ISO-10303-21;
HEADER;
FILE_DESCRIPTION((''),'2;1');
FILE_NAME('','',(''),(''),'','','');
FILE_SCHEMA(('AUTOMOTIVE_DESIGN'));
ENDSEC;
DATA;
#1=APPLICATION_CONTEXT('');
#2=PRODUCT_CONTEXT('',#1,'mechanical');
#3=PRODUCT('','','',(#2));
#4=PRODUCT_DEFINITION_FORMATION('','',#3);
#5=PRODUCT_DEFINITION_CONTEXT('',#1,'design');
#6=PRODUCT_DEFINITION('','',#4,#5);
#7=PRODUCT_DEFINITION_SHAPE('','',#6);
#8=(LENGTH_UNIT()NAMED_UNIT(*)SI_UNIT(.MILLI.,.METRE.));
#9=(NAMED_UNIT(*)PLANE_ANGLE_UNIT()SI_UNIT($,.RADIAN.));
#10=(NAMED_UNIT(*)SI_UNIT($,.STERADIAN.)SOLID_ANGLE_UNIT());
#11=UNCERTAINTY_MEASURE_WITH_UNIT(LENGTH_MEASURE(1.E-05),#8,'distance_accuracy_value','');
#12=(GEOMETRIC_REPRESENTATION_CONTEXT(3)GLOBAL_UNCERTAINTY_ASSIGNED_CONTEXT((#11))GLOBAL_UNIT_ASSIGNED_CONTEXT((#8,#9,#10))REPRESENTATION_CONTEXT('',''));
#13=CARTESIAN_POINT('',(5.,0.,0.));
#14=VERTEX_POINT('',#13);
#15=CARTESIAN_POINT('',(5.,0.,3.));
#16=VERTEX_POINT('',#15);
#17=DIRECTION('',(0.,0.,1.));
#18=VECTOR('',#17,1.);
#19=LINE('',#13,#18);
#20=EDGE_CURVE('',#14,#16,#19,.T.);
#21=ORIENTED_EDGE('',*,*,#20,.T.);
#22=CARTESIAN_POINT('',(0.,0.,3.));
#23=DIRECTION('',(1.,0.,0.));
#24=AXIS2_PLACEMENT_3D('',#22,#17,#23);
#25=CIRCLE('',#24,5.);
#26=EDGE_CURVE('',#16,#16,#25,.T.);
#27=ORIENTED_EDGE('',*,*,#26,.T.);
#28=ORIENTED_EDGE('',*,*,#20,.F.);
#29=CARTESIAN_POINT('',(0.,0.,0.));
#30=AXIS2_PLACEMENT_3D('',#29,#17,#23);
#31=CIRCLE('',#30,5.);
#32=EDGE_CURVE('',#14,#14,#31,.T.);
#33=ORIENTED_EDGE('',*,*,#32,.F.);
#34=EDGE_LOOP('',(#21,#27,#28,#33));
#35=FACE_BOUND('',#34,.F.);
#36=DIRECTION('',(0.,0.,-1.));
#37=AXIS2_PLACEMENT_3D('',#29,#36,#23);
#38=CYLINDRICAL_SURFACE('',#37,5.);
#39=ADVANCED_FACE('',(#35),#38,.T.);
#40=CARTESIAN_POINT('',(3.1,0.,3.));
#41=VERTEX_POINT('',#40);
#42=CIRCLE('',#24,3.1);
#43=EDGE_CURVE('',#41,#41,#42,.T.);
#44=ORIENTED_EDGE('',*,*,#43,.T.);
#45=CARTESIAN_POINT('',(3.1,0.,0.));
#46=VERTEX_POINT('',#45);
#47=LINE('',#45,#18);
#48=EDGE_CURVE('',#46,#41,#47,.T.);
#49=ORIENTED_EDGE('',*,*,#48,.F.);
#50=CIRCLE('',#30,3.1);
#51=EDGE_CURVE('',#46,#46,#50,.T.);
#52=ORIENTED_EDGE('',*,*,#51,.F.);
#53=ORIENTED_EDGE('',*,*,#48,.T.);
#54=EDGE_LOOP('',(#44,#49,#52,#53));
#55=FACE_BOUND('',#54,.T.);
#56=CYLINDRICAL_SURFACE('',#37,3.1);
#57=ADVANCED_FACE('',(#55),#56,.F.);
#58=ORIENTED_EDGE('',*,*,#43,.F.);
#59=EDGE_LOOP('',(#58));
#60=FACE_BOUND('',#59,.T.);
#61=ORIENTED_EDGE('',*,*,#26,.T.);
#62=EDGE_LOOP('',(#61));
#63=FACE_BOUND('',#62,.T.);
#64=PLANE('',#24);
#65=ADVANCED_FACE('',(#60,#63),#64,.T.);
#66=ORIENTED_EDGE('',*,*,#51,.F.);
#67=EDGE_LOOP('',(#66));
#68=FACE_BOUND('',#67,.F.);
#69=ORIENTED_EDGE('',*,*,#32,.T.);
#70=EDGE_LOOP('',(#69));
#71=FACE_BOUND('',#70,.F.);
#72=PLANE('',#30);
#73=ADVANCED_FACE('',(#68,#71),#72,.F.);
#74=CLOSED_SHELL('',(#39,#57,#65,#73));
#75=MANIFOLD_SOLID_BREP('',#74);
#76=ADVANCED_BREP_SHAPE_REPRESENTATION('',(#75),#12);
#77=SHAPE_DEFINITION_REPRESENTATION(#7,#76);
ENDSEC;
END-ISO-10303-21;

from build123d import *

# Parameters (mm, degrees)
SKETCH_1_R      = 5
SKETCH_1_R_2    = 3.1
EXTRUDE_1_DEPTH = 3


with BuildPart() as part:
    # ｽｹｯﾁ1 → ﾎﾞｽ - 押し出し1 (new body)
    with BuildSketch(Plane.XY):
        Circle(SKETCH_1_R)
        Circle(SKETCH_1_R_2, mode=Mode.SUBTRACT)
    extrude(amount=EXTRUDE_1_DEPTH)


solid = part.part
